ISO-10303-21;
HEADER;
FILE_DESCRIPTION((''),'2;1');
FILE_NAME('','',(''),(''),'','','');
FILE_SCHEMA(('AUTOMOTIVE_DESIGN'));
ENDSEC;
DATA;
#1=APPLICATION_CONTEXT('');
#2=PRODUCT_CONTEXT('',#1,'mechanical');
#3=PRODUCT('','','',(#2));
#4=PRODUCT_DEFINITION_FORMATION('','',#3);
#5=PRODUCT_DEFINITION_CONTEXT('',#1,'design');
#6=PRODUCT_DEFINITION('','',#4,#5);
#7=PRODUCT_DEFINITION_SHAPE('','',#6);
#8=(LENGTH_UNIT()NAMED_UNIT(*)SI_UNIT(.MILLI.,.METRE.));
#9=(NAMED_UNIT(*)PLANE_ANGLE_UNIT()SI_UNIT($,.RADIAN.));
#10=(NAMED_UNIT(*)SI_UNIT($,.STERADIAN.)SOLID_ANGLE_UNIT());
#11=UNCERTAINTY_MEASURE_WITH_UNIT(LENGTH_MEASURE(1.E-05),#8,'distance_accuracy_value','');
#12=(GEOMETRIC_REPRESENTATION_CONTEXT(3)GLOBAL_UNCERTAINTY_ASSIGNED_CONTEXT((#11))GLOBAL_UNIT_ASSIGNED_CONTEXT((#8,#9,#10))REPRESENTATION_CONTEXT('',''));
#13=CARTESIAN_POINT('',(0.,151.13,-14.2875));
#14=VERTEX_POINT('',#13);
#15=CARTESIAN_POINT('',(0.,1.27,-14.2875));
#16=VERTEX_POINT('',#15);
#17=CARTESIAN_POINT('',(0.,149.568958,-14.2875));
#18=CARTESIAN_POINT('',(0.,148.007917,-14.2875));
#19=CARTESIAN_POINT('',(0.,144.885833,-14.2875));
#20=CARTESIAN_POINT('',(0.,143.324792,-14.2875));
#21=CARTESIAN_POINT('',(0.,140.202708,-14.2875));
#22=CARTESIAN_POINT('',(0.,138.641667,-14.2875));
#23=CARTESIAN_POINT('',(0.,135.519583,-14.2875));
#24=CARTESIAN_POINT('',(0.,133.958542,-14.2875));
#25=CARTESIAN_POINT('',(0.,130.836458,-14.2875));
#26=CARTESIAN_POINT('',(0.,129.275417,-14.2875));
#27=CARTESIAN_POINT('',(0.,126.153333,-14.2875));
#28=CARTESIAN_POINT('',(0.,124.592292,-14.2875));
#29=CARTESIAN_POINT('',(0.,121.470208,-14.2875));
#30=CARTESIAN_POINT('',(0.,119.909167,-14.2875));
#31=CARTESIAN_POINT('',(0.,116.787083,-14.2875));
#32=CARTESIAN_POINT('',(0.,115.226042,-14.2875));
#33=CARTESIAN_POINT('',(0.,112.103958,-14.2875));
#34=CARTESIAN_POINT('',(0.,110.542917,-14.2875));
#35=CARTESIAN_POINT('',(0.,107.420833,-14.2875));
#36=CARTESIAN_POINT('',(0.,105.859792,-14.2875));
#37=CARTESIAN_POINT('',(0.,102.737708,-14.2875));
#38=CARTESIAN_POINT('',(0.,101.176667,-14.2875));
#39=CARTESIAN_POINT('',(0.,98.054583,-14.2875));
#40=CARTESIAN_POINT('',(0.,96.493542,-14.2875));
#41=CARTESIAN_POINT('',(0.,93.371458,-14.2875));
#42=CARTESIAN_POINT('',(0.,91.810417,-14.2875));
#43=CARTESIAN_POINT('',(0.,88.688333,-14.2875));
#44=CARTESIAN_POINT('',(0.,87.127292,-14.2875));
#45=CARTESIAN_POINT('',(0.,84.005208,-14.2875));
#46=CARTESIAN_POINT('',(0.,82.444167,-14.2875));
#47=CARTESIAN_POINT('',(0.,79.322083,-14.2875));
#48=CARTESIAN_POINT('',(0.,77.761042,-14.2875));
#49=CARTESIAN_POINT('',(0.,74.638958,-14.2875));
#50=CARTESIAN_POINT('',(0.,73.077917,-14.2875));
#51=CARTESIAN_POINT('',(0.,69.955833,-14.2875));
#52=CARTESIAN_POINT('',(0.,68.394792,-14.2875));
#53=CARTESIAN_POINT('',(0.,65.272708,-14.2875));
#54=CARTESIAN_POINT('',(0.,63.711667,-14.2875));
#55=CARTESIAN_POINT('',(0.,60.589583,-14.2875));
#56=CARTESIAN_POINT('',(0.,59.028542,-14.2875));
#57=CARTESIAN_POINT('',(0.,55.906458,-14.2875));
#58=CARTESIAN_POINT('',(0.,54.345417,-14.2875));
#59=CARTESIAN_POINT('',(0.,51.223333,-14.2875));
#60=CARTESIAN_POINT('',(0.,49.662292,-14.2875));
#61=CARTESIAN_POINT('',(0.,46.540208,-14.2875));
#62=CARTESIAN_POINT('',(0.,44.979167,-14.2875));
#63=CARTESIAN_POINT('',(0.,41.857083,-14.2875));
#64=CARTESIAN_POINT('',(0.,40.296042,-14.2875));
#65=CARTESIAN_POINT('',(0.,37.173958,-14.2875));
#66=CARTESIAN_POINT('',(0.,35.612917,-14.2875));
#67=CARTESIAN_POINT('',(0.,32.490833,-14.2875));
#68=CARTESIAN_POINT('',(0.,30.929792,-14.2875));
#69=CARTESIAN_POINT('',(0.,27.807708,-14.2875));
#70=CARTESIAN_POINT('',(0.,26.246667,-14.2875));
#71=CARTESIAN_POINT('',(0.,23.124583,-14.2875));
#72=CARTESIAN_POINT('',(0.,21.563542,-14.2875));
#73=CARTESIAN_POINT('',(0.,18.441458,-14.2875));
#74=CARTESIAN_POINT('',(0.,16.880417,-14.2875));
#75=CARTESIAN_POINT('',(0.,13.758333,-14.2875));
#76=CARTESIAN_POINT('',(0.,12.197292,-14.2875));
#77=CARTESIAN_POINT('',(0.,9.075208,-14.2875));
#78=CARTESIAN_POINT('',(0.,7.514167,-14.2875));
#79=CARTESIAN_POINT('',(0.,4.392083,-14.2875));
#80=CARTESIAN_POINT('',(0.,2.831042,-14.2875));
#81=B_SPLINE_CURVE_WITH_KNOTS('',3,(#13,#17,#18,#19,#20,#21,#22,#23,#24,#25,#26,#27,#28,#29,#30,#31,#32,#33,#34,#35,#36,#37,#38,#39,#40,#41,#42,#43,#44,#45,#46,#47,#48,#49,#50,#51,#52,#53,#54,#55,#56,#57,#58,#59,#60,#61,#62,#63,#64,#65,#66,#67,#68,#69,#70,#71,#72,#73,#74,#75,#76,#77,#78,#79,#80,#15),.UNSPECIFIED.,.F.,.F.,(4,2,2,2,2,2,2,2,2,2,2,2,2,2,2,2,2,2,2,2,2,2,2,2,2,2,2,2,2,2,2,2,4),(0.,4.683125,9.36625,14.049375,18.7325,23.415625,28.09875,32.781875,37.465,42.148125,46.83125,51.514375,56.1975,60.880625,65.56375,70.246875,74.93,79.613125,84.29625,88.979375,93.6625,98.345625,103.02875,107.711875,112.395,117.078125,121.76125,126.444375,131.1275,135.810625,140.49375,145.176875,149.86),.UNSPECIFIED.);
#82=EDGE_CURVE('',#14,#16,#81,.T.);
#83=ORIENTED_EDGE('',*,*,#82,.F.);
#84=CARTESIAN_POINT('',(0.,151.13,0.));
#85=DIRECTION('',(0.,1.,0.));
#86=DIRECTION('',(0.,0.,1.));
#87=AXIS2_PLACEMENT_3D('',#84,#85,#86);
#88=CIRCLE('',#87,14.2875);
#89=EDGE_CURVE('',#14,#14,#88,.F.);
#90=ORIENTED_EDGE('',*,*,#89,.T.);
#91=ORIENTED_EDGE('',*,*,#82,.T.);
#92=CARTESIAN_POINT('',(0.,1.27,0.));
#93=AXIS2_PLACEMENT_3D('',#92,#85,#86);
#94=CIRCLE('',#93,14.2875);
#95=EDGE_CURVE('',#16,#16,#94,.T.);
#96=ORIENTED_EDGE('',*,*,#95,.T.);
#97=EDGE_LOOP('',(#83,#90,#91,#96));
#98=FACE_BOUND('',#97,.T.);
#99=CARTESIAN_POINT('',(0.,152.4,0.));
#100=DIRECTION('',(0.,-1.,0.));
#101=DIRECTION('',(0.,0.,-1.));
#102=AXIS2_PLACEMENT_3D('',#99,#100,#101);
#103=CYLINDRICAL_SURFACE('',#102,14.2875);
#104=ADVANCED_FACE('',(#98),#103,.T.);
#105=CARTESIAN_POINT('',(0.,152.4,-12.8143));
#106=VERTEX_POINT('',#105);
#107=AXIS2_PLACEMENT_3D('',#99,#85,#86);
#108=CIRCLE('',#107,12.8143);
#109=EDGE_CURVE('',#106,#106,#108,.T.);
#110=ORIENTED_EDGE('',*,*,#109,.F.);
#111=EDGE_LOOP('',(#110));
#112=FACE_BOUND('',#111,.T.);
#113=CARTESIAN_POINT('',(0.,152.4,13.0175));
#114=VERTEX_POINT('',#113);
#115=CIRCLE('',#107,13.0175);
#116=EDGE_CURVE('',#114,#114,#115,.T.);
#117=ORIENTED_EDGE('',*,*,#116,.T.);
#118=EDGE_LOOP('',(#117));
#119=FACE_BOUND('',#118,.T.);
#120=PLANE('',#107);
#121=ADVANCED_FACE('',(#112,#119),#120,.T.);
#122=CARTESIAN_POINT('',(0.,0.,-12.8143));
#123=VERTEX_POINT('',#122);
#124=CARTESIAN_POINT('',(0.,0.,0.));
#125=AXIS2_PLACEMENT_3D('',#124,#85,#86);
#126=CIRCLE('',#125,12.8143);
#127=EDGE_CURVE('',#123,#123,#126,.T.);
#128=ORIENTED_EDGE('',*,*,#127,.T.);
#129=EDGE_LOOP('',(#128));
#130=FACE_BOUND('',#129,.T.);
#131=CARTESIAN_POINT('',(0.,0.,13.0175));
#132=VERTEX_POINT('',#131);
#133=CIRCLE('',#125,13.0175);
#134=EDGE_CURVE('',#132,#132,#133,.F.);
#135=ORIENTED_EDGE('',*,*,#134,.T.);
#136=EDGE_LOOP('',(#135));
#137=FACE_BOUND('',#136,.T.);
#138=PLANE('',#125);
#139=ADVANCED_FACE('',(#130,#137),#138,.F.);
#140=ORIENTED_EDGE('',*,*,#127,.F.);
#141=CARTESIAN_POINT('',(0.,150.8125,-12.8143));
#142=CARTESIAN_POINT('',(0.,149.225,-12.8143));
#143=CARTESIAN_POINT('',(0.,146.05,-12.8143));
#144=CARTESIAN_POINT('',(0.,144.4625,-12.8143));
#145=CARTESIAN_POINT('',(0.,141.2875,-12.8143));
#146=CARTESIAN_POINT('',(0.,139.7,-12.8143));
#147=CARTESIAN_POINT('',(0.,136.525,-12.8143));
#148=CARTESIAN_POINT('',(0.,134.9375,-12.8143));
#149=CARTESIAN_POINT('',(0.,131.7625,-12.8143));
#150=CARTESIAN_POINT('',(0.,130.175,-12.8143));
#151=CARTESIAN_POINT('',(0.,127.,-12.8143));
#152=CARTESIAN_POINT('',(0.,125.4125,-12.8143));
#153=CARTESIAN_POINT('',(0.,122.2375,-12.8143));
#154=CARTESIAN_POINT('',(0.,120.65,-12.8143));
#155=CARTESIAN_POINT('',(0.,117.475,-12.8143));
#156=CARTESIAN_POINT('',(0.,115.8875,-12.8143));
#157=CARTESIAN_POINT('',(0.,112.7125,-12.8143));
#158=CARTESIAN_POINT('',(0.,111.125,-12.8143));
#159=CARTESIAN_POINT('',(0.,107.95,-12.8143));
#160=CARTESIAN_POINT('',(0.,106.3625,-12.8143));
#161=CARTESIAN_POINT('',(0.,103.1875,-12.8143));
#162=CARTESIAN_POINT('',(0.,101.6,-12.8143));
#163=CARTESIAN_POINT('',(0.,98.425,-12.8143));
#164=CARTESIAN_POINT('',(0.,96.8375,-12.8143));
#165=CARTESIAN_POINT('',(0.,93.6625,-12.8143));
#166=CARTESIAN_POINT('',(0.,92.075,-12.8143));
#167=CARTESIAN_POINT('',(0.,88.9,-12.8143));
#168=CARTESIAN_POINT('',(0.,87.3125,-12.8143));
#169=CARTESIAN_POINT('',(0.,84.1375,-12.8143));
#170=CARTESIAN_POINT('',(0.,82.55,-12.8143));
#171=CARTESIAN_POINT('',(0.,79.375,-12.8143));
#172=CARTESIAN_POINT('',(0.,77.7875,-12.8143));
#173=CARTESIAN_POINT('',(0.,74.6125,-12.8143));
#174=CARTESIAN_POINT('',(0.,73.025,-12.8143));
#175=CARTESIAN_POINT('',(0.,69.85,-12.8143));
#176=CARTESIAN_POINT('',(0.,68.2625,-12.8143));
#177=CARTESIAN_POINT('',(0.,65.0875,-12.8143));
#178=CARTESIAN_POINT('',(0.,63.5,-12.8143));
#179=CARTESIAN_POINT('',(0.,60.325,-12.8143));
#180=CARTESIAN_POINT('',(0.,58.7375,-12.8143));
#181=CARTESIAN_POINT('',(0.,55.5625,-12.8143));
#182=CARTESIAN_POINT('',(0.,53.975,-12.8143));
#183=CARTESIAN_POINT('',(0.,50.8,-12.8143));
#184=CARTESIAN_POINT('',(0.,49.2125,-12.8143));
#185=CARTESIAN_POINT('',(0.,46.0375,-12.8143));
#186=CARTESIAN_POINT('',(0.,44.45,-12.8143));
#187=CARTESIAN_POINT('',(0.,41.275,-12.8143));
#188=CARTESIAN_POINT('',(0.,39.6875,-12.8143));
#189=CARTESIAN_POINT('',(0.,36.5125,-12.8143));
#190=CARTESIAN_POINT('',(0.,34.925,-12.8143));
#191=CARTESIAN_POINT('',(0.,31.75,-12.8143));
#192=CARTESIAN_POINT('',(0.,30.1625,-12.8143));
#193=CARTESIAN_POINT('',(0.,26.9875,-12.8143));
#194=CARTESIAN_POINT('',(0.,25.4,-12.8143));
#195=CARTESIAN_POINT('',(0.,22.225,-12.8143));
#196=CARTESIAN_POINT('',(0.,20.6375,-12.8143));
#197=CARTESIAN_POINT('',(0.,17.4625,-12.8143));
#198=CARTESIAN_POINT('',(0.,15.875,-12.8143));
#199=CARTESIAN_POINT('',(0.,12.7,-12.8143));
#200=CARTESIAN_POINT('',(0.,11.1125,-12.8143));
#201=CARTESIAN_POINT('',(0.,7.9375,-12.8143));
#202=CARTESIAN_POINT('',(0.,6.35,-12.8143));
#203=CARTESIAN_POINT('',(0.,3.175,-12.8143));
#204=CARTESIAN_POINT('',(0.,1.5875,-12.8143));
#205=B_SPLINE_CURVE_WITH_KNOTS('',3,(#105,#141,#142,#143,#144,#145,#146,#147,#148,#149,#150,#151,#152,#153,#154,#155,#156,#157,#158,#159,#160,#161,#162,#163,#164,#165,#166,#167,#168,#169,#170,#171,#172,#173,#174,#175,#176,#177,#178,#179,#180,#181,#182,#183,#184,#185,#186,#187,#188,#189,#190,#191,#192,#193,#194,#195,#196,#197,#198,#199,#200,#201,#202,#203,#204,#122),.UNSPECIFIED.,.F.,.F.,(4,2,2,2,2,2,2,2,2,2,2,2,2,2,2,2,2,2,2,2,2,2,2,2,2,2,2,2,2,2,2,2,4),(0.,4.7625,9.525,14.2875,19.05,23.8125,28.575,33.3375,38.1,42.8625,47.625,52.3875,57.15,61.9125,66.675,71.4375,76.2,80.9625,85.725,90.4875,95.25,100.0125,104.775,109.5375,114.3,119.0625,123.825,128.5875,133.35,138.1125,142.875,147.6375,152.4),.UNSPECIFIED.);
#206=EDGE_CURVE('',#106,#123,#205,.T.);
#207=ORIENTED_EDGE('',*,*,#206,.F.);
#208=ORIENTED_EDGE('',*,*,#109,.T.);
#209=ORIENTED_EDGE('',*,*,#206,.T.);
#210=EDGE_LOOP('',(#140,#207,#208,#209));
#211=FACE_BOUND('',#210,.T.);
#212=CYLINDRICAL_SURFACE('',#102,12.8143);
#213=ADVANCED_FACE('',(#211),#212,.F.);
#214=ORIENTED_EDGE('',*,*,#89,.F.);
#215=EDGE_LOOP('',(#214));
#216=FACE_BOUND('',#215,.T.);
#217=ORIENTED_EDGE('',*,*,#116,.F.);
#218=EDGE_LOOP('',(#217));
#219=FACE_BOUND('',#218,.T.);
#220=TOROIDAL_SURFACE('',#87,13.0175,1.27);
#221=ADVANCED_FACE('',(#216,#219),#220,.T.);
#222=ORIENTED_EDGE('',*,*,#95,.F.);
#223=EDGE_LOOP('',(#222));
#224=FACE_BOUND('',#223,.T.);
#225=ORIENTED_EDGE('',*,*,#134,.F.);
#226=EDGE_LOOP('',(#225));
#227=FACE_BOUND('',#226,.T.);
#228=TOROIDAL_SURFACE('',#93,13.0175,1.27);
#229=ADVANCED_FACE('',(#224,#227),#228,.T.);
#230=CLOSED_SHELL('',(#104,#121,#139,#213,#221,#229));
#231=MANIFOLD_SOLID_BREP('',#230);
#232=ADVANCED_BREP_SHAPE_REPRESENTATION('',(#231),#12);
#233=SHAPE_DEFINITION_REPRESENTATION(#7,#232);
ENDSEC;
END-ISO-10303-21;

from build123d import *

# Parameters (mm, degrees)
SKETCH1_R           = 14.2875
SKETCH1_R_2         = 12.8143
BOSS_EXTRUDE1_DEPTH = 152.4
FILLET1_R           = 1.27


with BuildPart() as part:
    # Sketch1 → Boss-Extrude1 (new body)
    with BuildSketch(Plane(origin=(0, 0, 0), x_dir=(1, 0, 0), z_dir=(0, 1, 0))):
        with Locations(Location((0, 0, 0), (0, 0, 90))):
            Circle(SKETCH1_R)
        with Locations(Location((0, 0, 0), (0, 0, 90))):
            Circle(SKETCH1_R_2, mode=Mode.SUBTRACT)
    extrude(amount=BOSS_EXTRUDE1_DEPTH)

    # Fillet1
    fillet1_edges = [part.edges().sort_by_distance(p)[0] for p in [
        (0, 0, 14.2875),
        (0, 152.4, 14.2875),
    ]]
    fillet(fillet1_edges, radius=FILLET1_R)


solid = part.part
